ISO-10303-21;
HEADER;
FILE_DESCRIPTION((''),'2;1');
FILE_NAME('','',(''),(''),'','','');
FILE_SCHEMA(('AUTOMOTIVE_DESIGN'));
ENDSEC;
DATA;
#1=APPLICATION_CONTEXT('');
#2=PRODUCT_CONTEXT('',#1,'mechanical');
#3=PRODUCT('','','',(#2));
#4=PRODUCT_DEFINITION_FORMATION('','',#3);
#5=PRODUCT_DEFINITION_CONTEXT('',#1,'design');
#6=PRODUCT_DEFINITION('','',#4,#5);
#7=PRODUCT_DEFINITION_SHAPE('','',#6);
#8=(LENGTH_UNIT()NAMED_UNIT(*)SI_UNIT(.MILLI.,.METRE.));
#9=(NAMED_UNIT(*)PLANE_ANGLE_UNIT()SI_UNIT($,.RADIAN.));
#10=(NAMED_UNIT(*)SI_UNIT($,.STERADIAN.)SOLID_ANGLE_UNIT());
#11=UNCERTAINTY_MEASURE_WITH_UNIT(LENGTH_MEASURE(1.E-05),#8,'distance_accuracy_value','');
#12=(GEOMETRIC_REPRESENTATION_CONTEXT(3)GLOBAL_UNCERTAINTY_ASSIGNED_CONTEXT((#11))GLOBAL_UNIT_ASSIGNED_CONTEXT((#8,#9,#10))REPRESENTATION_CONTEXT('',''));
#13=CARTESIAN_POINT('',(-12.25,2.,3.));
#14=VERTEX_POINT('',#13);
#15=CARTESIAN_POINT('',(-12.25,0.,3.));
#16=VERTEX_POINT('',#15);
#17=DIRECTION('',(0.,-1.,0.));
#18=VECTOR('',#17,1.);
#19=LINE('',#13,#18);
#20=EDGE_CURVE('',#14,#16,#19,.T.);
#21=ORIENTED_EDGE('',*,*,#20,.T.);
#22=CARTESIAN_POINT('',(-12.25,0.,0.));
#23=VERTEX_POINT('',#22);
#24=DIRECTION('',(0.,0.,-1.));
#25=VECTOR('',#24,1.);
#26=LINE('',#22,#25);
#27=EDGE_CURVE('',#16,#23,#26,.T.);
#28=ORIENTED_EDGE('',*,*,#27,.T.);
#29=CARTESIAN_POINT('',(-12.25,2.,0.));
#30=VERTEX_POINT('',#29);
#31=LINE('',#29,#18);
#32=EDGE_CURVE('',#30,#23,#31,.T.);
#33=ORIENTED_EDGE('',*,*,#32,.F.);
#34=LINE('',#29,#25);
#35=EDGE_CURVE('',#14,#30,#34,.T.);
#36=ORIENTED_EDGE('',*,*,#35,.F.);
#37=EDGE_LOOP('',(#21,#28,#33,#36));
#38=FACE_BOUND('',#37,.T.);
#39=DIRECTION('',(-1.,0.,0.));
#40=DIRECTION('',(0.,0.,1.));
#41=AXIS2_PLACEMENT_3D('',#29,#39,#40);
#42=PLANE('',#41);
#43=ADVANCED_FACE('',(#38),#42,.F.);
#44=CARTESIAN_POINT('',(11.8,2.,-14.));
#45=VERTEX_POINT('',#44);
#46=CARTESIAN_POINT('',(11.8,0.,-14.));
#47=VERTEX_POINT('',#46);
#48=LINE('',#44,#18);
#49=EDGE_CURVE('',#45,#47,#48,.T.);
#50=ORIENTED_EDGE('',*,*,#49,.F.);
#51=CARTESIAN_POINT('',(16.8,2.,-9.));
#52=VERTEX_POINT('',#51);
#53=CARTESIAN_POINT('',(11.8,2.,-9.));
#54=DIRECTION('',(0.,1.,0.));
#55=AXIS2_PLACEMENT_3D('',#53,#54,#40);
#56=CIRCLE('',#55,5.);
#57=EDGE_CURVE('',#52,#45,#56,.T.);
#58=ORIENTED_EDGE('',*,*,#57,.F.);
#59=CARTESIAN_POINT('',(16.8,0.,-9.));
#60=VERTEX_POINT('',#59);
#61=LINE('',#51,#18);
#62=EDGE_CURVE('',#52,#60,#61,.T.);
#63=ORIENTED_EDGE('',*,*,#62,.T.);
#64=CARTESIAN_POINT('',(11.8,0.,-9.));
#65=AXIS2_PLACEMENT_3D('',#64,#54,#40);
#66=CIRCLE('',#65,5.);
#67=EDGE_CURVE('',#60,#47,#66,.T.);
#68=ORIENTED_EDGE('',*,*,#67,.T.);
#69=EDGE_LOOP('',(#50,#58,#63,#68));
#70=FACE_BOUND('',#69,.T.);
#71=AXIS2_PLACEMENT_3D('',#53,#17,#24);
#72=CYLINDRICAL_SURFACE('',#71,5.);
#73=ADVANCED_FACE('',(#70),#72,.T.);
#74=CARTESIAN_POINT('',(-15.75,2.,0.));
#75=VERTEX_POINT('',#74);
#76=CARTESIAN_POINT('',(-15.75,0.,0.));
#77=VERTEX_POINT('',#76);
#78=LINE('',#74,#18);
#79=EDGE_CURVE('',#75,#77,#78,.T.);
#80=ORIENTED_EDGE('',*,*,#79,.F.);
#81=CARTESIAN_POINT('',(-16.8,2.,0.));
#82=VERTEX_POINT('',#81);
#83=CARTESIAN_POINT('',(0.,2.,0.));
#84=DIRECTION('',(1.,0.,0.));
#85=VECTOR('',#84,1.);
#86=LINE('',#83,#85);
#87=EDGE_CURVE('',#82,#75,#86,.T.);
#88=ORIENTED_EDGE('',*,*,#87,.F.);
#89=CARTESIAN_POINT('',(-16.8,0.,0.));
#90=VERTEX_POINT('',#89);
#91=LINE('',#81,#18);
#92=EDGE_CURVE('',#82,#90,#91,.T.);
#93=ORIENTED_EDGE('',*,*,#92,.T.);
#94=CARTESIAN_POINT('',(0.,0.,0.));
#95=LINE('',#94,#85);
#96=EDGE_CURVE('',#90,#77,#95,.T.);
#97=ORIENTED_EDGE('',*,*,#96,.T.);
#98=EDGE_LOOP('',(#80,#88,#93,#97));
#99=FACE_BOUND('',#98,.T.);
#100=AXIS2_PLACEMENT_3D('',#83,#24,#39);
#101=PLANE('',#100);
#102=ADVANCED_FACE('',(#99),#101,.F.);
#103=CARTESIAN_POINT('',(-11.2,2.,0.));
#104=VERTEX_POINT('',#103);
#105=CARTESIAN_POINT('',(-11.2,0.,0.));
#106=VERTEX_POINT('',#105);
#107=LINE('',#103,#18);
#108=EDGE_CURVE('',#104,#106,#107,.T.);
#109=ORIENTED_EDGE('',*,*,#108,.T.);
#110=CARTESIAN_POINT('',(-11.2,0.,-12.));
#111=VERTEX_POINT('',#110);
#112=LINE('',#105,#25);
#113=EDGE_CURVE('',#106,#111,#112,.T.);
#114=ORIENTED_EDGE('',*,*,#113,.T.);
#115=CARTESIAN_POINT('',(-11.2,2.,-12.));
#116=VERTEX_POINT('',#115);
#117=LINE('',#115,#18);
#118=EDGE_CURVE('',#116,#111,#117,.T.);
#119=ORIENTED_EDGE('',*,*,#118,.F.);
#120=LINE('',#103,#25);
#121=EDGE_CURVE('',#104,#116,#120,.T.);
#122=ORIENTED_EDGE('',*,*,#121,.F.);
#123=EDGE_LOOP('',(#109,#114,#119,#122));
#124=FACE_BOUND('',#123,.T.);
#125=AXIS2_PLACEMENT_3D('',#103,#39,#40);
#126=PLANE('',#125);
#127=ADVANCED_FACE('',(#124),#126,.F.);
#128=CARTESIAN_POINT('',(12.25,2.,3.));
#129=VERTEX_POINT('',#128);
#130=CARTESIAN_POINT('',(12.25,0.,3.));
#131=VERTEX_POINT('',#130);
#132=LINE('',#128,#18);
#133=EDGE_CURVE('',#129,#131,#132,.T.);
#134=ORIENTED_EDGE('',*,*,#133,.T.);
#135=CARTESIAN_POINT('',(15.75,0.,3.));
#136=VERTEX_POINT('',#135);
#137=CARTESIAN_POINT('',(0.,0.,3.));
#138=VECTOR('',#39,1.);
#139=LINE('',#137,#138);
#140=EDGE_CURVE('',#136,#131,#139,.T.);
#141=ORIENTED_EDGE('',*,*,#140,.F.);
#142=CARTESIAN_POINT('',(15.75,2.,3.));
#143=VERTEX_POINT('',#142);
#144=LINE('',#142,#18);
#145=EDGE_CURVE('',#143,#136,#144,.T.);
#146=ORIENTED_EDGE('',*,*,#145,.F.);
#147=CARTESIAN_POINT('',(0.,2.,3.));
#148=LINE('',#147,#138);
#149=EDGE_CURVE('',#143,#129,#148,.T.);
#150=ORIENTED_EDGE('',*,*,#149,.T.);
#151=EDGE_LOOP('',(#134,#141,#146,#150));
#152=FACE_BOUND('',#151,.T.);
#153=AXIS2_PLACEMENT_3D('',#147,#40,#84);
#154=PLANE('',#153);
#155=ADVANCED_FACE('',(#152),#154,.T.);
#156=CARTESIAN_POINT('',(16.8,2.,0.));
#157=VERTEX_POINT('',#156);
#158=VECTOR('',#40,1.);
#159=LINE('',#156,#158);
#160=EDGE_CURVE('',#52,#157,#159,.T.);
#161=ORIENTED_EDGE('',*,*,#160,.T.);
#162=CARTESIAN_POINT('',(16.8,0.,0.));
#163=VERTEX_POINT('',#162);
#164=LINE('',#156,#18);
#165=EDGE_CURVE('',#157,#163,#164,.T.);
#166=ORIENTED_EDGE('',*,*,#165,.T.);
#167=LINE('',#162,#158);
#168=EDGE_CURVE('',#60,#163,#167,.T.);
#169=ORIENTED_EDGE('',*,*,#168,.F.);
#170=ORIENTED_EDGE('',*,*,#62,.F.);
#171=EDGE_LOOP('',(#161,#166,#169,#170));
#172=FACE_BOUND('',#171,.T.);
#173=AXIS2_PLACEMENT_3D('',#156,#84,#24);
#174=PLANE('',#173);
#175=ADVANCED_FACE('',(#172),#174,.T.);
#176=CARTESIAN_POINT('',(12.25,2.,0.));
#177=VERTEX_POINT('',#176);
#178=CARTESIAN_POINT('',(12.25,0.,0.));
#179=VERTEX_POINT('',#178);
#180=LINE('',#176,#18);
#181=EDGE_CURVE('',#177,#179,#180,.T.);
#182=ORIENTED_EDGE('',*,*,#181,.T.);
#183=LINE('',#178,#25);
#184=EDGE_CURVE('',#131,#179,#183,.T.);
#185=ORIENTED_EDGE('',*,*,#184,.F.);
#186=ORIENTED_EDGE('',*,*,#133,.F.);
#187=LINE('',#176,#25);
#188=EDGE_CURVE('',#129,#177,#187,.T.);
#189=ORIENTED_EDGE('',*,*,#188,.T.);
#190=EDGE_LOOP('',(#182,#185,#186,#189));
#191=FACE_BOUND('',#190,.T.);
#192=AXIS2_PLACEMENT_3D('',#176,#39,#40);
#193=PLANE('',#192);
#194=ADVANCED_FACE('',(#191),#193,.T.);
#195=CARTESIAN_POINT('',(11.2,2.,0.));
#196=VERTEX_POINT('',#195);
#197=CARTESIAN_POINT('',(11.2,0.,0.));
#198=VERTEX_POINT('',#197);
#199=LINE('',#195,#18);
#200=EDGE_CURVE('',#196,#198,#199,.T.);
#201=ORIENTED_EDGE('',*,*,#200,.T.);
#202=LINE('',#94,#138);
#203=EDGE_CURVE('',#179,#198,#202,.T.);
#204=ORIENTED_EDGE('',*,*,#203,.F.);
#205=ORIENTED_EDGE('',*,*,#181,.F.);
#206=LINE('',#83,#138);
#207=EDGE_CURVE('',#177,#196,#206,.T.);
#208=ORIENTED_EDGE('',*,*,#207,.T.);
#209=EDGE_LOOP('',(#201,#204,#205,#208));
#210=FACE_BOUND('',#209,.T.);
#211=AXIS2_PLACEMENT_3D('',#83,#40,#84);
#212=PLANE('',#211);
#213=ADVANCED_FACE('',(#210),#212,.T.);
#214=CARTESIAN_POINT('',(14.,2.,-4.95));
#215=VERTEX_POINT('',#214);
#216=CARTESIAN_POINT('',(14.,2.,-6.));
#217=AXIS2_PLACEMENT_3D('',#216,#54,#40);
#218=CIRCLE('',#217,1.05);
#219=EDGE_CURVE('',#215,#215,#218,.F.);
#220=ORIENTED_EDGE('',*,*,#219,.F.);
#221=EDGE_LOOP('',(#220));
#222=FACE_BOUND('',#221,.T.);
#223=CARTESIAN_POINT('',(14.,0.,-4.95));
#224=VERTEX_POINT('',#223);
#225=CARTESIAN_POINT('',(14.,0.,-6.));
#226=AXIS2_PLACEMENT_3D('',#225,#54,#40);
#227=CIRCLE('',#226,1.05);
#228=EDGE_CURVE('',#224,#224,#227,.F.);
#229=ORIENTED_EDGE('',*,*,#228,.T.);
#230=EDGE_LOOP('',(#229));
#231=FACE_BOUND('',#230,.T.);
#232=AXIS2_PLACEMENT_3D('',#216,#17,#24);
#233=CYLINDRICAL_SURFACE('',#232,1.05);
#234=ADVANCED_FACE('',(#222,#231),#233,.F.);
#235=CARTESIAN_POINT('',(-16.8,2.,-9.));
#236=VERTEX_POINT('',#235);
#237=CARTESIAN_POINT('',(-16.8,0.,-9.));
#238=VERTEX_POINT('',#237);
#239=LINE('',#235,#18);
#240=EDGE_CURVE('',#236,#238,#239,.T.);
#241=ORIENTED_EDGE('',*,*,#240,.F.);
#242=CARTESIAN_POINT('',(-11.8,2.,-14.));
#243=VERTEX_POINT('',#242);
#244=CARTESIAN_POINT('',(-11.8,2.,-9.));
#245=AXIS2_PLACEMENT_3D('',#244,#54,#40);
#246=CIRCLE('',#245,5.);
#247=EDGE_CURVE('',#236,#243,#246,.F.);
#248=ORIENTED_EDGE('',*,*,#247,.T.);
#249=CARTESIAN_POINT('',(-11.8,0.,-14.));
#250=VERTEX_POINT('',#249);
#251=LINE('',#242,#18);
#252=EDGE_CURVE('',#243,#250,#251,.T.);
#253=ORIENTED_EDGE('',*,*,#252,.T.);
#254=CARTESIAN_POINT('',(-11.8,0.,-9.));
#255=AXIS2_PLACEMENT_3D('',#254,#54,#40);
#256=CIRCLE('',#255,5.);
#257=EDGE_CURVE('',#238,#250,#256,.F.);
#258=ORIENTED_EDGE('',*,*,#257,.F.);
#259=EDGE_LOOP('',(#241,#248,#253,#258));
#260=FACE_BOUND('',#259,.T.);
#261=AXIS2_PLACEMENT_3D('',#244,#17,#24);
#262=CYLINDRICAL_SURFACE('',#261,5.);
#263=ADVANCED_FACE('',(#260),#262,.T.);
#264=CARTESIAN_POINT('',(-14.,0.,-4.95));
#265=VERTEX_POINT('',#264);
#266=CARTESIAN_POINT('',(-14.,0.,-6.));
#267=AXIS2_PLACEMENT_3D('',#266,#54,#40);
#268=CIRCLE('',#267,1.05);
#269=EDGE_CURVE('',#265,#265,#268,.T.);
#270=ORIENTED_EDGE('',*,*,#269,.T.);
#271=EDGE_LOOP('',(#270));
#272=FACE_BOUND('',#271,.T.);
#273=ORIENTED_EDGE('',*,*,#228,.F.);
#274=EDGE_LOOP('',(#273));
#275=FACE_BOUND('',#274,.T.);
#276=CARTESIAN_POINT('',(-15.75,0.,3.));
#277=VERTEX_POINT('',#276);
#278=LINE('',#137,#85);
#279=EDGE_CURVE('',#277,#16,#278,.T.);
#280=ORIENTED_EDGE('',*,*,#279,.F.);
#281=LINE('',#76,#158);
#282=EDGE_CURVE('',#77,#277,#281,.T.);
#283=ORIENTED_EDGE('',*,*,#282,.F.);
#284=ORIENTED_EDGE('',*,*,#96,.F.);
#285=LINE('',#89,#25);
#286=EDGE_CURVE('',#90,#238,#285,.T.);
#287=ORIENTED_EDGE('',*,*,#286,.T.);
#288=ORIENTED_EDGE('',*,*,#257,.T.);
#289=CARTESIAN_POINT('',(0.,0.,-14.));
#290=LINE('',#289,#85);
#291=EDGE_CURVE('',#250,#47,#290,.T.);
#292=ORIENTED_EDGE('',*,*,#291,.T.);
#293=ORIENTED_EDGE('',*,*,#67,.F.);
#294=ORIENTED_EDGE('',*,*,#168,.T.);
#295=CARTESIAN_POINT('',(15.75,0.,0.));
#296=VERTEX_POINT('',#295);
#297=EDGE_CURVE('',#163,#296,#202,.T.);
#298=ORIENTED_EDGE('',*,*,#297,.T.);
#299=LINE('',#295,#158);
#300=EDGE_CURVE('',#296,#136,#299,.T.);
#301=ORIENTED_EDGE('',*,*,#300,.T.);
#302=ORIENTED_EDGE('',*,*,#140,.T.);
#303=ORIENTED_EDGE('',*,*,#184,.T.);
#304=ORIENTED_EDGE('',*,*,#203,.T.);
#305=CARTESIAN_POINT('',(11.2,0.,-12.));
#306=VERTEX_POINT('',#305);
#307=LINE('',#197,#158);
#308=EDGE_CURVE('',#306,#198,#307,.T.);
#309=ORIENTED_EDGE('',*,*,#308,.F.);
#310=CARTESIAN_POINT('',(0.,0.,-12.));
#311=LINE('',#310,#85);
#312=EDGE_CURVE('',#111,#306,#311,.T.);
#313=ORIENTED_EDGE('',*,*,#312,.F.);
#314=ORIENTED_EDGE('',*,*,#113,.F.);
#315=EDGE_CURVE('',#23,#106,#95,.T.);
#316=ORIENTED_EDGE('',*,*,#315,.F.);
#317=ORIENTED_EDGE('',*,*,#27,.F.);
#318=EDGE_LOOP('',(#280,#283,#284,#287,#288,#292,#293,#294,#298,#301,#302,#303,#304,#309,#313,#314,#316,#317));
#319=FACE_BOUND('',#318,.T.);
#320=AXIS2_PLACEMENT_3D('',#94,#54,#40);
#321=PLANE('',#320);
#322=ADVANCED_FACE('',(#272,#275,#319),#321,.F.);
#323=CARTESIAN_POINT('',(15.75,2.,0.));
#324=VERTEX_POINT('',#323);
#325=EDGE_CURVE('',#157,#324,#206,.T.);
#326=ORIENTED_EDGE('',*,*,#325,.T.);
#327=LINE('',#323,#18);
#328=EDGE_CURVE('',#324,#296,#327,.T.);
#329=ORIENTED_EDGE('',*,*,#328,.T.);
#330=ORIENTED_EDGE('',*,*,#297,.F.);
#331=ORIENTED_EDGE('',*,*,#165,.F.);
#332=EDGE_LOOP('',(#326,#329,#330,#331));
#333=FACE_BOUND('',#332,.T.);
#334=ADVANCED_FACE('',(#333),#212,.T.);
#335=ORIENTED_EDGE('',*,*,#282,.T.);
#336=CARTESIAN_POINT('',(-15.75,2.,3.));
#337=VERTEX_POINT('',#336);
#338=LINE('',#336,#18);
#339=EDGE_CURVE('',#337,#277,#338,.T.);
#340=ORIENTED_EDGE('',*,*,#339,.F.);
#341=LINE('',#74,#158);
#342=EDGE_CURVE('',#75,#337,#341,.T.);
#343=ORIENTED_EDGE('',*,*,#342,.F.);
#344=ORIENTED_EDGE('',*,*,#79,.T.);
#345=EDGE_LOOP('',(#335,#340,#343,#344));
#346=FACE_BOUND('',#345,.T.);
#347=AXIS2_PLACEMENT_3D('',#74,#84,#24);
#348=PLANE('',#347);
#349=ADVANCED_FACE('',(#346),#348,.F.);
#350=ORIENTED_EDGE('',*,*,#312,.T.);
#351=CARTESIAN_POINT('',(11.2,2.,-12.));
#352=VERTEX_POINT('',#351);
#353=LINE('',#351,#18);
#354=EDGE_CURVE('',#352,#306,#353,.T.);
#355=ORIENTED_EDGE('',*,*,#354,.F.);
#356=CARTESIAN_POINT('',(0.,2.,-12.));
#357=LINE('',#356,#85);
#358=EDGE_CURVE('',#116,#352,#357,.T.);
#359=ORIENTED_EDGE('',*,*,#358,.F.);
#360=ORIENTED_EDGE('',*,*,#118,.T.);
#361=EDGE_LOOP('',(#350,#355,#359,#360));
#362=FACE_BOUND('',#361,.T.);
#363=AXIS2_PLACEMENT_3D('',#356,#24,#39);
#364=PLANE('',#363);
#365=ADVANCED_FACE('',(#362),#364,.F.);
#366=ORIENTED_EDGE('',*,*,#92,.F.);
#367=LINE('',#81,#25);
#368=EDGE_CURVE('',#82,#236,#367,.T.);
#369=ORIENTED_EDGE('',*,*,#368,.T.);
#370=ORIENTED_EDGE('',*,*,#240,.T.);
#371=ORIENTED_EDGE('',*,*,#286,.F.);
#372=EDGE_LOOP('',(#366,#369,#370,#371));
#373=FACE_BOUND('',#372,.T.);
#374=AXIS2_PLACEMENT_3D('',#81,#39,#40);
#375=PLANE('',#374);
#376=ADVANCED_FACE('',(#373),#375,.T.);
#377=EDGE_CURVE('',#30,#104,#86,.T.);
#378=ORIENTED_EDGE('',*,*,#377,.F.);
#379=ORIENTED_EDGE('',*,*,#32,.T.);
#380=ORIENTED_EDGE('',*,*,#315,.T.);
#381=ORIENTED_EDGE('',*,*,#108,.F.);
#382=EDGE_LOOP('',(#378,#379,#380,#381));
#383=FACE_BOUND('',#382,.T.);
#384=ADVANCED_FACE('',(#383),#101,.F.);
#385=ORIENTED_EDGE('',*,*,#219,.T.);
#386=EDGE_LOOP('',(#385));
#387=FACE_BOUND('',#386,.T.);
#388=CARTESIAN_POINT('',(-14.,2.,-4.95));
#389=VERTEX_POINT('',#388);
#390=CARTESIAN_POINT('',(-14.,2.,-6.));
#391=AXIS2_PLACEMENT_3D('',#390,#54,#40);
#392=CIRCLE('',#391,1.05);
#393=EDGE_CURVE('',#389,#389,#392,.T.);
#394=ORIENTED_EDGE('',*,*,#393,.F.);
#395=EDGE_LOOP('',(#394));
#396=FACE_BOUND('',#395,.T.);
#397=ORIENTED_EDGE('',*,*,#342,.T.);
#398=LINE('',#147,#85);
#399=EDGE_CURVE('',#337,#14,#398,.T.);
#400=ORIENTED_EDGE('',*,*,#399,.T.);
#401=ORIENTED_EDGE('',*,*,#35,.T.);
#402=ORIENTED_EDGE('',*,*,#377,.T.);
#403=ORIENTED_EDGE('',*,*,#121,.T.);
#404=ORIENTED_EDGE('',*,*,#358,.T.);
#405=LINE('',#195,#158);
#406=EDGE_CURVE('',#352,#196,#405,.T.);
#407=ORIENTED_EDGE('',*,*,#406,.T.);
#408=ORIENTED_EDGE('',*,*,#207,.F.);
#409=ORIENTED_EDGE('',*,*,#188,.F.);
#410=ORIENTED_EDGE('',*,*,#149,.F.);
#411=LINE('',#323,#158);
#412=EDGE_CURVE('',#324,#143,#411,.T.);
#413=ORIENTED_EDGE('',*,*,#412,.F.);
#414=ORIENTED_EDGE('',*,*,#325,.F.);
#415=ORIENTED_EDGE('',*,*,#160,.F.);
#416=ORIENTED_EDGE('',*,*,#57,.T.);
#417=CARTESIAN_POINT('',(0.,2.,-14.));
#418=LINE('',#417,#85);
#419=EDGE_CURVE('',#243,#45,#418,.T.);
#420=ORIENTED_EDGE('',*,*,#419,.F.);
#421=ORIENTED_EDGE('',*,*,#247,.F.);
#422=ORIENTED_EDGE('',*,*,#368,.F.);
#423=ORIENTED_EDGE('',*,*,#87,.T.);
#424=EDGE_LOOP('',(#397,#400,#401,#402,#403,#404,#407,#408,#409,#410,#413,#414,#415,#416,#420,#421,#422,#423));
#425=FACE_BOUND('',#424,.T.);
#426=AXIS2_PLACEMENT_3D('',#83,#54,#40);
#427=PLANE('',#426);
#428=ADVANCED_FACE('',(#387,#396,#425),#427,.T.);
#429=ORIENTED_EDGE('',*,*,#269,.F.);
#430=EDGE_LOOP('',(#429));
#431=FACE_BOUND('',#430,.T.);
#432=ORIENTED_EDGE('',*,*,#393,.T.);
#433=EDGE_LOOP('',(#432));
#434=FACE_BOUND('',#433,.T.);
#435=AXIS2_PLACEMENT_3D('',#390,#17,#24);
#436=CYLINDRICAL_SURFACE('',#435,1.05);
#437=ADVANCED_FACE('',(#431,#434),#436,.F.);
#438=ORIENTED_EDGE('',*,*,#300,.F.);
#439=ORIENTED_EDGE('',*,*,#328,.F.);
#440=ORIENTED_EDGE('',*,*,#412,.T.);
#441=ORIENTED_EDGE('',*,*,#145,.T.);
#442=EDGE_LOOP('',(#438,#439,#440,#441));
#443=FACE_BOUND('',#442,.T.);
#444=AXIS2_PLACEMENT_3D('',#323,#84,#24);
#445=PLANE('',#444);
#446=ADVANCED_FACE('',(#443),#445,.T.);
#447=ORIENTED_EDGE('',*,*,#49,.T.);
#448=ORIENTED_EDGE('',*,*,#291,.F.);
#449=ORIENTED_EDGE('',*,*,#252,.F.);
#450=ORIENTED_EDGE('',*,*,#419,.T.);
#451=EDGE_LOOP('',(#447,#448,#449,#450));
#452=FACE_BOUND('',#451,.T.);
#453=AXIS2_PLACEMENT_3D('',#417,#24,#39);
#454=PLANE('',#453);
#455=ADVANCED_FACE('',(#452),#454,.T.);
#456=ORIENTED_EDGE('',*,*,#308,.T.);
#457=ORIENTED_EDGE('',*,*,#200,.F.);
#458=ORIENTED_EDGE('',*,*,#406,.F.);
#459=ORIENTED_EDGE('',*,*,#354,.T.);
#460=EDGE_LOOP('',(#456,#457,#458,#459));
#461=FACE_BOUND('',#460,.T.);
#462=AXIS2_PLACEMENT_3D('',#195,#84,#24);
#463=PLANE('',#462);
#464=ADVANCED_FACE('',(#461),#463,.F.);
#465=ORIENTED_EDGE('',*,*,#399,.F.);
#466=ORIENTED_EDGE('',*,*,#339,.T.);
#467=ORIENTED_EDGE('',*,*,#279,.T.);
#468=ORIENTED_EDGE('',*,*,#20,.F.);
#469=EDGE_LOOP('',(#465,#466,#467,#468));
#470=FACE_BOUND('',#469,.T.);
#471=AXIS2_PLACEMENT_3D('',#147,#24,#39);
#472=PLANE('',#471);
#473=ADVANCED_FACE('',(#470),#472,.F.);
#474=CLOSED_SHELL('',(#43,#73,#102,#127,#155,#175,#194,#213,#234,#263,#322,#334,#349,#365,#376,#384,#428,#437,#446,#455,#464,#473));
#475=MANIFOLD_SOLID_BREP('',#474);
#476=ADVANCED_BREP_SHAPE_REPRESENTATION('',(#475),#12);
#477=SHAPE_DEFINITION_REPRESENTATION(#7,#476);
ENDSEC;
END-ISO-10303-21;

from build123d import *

# Parameters (mm, degrees)
CROQUIS1_R              = 1.05
SALIENTE_EXTRUIR1_DEPTH = 2


with BuildPart() as part:
    # Croquis1 → Saliente-Extruir1 (new body)
    with BuildSketch(Plane(origin=(0, 0, 0), x_dir=(1, 0, 0), z_dir=(0, 1, 0))):
        with BuildLine():
            Line((-11.2, 0), (-11.2, 12))
            Line((-11.2, 12), (11.2, 12))
            Line((11.2, 12), (11.2, 0))
            Line((11.2, 0), (12.25, 0))
            Line((12.25, 0), (12.25, -3))
            Line((12.25, -3), (15.75, -3))
            Line((15.75, -3), (15.75, 0))
            Line((15.75, 0), (16.8, 0))
            Line((16.8, 0), (16.8, 9))
            ThreePointArc((16.8, 9), (15.335533906, 12.535533906), (11.8, 14))
            Line((11.8, 14), (-11.8, 14))
            ThreePointArc((-11.8, 14), (-15.335533906, 12.535533906), (-16.8, 9))
            Line((-16.8, 9), (-16.8, 0))
            Line((-16.8, 0), (-15.75, 0))
            Line((-15.75, 0), (-15.75, -3))
            Line((-15.75, -3), (-12.25, -3))
            Line((-12.25, -3), (-12.25, 0))
            Line((-12.25, 0), (-11.2, 0))
        make_face()
        with Locations(Location((-14, 6, 0), (0, 0, 270))):
            Circle(CROQUIS1_R, mode=Mode.SUBTRACT)
        with Locations(Location((14, 6, 0), (0, 0, 270))):
            Circle(CROQUIS1_R, mode=Mode.SUBTRACT)
    extrude(amount=SALIENTE_EXTRUIR1_DEPTH)


solid = part.part
